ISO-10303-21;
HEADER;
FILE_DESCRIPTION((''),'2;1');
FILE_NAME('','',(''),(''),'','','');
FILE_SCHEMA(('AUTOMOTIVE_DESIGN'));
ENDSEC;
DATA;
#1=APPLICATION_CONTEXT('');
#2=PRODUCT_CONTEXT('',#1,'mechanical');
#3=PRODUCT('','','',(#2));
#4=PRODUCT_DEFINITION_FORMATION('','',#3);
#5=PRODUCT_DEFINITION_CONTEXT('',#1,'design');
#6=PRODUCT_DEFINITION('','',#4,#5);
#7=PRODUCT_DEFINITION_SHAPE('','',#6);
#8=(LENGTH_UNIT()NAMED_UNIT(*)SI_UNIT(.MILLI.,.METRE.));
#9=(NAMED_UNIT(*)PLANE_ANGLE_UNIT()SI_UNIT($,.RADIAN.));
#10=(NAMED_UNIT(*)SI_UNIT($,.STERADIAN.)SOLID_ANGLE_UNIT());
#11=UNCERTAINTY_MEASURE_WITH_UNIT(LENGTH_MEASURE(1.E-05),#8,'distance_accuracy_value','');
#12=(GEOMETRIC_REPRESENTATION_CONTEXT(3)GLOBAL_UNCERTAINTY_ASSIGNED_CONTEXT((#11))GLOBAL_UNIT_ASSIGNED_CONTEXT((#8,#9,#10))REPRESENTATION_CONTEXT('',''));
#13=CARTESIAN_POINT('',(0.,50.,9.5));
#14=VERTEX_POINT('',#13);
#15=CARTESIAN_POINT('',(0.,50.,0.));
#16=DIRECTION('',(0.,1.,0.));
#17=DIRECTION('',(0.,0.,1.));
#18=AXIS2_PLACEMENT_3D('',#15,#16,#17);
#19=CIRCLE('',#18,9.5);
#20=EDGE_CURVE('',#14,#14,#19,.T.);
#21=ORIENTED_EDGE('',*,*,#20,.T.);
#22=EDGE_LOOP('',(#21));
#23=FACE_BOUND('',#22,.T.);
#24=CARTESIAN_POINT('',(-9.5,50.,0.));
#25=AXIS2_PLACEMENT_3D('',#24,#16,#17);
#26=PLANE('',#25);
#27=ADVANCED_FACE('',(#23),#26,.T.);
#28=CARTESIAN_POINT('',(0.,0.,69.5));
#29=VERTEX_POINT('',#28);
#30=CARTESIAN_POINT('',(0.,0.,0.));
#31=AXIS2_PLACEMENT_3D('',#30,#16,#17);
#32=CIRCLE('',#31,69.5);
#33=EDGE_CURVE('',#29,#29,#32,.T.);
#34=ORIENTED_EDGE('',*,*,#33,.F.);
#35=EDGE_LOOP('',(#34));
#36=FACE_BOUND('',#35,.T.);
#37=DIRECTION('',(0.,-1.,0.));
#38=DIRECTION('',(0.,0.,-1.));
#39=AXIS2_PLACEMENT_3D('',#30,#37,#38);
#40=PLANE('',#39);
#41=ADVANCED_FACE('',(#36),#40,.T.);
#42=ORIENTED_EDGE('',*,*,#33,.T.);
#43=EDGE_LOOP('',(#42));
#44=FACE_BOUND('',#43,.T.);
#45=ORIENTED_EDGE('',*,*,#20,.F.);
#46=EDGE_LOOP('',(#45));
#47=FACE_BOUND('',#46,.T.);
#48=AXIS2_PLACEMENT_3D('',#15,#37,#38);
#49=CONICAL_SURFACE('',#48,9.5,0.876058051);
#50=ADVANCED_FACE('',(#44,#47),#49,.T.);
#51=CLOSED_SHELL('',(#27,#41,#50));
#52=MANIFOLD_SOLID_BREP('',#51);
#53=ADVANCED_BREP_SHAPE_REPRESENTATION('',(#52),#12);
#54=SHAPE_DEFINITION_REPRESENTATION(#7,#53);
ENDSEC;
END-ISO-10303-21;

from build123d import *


with BuildPart() as part:
    # Sketch1 → Revolve1 (revolve)
    with BuildSketch(Plane.XY):
        Polygon((0, 0), (-69.5, 0), (-9.5, 50), (0, 50), align=None)
    revolve(axis=Axis((0, 50, 0), (0, -1, 0)))


solid = part.part
